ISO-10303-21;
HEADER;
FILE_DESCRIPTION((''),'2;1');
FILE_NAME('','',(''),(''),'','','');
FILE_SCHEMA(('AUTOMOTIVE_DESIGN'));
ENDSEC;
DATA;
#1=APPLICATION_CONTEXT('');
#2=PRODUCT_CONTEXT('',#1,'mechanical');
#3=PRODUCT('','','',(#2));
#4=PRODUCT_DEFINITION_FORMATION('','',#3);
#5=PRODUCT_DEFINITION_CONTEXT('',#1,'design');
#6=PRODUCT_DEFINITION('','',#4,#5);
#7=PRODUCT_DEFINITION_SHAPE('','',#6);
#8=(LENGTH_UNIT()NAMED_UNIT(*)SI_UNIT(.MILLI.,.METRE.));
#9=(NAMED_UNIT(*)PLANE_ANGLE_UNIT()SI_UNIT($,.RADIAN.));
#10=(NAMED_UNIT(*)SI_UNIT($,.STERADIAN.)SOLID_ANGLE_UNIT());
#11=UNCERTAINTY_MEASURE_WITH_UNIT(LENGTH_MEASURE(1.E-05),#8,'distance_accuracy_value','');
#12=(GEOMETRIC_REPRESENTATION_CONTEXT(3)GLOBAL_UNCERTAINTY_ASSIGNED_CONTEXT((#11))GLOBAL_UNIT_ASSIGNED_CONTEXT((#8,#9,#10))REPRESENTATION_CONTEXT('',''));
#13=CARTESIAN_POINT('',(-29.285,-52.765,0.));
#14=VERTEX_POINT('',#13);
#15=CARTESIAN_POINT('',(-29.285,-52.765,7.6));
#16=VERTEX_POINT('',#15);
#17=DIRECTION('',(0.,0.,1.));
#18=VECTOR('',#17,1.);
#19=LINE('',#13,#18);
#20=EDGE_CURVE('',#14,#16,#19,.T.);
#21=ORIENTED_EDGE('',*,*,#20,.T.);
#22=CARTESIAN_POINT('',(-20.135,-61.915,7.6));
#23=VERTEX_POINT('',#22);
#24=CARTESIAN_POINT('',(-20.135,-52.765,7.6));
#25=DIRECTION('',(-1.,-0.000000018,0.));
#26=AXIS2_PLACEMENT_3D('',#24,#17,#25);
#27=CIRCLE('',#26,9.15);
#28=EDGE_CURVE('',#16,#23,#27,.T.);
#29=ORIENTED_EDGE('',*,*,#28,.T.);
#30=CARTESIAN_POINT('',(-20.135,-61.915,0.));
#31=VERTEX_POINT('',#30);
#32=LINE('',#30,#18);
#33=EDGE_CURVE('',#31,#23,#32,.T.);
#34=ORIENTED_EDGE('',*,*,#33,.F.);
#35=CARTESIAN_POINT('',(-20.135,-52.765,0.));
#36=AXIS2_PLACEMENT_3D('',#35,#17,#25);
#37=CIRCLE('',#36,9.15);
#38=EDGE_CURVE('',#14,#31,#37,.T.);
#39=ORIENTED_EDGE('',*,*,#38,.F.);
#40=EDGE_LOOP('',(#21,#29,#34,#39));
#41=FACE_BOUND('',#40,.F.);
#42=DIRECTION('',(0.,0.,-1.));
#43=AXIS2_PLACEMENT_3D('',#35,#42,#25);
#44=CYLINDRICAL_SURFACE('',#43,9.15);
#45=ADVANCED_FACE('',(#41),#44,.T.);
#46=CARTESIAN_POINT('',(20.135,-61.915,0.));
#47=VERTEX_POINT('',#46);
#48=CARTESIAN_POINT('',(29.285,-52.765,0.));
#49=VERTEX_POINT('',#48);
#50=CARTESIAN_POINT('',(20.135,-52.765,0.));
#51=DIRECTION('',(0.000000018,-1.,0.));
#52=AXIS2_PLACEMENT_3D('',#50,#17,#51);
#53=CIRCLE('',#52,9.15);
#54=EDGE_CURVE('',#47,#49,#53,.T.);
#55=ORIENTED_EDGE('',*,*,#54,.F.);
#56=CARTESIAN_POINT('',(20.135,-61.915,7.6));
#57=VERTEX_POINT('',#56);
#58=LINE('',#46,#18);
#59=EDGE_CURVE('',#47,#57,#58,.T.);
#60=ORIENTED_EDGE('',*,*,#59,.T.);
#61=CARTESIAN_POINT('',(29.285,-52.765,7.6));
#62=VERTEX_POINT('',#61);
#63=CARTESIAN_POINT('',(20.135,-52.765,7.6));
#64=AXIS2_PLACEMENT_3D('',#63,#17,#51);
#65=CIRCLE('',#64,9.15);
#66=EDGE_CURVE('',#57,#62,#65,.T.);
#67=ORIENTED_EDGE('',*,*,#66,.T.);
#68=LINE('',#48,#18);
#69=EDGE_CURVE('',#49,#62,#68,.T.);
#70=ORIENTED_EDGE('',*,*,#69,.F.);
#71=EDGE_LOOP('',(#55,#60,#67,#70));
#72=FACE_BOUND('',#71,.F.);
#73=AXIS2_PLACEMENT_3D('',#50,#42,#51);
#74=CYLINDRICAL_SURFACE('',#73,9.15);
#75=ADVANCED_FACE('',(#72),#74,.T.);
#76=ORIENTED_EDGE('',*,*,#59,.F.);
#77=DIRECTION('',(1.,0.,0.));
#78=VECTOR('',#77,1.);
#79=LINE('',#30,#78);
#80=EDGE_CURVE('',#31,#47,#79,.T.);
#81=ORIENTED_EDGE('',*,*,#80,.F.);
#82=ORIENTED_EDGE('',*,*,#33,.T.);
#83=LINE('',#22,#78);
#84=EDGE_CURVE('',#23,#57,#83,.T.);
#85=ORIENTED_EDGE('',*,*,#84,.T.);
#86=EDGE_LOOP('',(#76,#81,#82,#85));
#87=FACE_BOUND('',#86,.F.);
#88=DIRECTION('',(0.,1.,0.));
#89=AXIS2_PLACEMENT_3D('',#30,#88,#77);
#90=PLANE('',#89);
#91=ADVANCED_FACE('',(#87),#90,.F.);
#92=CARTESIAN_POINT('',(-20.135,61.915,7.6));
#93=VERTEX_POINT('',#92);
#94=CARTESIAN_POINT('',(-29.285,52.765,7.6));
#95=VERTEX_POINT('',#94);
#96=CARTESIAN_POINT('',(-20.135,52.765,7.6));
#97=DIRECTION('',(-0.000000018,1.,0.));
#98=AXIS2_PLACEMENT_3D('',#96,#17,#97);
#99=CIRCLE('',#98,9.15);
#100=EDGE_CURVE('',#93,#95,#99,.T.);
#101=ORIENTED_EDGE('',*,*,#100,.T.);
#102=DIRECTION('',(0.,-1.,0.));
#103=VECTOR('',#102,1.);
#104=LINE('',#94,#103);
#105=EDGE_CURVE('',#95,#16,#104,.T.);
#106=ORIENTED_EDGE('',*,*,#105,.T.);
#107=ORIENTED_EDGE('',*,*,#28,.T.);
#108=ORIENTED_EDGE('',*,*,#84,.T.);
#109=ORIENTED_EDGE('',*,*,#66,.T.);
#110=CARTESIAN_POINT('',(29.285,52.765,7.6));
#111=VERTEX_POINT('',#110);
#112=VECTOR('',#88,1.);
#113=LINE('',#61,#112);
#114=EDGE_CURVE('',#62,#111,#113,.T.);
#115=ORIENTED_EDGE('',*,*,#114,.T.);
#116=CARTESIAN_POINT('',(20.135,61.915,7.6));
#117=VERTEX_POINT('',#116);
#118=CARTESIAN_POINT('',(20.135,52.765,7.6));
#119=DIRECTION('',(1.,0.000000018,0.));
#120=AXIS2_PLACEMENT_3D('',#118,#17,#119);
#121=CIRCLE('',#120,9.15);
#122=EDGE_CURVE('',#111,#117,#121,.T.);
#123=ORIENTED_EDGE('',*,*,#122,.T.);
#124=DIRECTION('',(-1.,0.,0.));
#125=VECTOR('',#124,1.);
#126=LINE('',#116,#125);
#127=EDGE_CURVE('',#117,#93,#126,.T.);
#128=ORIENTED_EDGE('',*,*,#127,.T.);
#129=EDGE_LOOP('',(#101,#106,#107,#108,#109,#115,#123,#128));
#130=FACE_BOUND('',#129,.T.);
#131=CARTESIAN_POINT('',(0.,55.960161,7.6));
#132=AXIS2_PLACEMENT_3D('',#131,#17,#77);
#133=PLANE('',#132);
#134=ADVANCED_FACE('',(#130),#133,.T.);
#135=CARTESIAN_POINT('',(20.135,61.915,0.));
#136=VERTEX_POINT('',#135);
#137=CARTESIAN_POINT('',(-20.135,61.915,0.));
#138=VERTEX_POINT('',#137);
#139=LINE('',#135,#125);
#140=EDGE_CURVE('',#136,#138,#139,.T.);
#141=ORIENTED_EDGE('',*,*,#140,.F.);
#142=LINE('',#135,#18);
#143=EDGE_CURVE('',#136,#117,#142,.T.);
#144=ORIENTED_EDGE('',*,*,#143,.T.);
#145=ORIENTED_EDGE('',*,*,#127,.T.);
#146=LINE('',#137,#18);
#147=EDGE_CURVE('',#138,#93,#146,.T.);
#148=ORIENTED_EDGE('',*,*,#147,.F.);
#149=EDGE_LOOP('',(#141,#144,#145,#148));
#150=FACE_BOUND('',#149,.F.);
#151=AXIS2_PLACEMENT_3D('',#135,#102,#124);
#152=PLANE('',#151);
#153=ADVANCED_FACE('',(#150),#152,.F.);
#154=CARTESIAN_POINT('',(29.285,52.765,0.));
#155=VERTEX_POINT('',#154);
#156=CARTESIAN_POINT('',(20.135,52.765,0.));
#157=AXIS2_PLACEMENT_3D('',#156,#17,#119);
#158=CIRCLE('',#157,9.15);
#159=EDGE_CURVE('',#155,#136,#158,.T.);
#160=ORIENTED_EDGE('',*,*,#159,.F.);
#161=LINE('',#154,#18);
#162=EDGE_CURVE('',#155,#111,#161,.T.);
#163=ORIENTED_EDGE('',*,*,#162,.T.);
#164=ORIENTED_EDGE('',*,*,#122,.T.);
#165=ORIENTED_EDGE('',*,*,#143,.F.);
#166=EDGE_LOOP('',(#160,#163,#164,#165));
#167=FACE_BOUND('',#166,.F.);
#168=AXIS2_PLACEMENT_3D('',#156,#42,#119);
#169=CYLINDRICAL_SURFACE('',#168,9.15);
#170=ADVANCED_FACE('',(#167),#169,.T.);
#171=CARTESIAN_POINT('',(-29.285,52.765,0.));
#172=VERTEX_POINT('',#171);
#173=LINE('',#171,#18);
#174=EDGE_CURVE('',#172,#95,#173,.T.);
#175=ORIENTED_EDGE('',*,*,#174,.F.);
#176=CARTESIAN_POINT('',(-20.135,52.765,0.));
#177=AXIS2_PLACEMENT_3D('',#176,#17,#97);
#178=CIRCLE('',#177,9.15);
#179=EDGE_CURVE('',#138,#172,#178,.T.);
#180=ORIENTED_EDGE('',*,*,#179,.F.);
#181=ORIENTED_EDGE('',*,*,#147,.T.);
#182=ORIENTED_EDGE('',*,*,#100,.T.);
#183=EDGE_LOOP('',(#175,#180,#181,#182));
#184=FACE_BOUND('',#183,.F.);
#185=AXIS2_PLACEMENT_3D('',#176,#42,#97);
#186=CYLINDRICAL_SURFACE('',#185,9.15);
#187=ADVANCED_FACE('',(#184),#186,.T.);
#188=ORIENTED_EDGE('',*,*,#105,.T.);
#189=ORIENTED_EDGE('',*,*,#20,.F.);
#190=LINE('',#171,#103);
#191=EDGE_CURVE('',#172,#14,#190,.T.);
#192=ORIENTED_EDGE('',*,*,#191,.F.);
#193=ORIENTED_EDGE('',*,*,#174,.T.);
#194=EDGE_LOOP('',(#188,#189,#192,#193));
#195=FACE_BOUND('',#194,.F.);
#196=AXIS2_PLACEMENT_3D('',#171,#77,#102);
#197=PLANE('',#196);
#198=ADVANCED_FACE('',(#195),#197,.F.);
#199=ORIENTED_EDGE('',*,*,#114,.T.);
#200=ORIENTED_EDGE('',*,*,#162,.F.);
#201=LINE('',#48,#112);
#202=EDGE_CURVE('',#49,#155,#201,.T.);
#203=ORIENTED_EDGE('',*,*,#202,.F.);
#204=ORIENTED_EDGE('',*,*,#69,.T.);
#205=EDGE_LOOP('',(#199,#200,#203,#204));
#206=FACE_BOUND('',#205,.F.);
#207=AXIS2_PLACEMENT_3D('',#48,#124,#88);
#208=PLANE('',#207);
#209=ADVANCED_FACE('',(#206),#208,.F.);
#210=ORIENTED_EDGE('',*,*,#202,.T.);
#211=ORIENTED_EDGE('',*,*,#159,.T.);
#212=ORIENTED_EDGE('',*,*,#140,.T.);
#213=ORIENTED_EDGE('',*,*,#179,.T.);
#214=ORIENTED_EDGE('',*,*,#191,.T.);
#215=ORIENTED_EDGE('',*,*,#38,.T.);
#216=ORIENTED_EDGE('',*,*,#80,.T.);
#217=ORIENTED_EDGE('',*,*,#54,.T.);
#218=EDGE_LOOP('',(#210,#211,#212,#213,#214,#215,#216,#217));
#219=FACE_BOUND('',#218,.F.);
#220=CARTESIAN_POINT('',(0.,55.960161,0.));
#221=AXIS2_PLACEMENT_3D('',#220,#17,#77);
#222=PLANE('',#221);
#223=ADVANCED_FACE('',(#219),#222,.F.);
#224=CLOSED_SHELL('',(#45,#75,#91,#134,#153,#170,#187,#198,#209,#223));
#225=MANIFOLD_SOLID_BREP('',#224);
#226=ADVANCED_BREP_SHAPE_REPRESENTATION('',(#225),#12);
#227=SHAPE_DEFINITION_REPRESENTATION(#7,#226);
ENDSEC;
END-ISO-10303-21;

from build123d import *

# Parameters (mm, degrees)
F0_W     = 58.57
F0_H     = 0.6
F0_H_2   = 100.63
F1_DEPTH = 7.6


with BuildPart() as f1:
    # F0 (on Top) → F1 (new body)
    with BuildSketch(Plane.XY):
        with BuildLine():
            ThreePointArc((29.285, 52.765), (26.605027, 59.235027), (20.135, 61.915))
            Line((20.135, 61.915), (-20.135, 61.915))
            ThreePointArc((-20.135, 61.915), (-26.605027, 59.235027), (-29.285, 52.765))
            Line((-29.285, 52.765), (-29.285, 50.915))
            Line((-29.285, 50.915), (29.285, 50.915))
            Line((29.285, 50.915), (29.285, 52.765))
        make_face()
        with Locations((0, 50.615)):
            Rectangle(F0_W, F0_H)
        Rectangle(F0_W, F0_H_2)
        with Locations((0, -50.615)):
            Rectangle(F0_W, F0_H)
        with BuildLine():
            Line((29.285, -52.765), (29.285, -50.915))
            Line((29.285, -50.915), (-29.285, -50.915))
            Line((-29.285, -50.915), (-29.285, -52.765))
            ThreePointArc((-29.285, -52.765), (-26.605027, -59.235027), (-20.135, -61.915))
            Line((-20.135, -61.915), (20.135, -61.915))
            ThreePointArc((20.135, -61.915), (26.605027, -59.235027), (29.285, -52.765))
        make_face()
    extrude(amount=F1_DEPTH)


solid = f1.part
